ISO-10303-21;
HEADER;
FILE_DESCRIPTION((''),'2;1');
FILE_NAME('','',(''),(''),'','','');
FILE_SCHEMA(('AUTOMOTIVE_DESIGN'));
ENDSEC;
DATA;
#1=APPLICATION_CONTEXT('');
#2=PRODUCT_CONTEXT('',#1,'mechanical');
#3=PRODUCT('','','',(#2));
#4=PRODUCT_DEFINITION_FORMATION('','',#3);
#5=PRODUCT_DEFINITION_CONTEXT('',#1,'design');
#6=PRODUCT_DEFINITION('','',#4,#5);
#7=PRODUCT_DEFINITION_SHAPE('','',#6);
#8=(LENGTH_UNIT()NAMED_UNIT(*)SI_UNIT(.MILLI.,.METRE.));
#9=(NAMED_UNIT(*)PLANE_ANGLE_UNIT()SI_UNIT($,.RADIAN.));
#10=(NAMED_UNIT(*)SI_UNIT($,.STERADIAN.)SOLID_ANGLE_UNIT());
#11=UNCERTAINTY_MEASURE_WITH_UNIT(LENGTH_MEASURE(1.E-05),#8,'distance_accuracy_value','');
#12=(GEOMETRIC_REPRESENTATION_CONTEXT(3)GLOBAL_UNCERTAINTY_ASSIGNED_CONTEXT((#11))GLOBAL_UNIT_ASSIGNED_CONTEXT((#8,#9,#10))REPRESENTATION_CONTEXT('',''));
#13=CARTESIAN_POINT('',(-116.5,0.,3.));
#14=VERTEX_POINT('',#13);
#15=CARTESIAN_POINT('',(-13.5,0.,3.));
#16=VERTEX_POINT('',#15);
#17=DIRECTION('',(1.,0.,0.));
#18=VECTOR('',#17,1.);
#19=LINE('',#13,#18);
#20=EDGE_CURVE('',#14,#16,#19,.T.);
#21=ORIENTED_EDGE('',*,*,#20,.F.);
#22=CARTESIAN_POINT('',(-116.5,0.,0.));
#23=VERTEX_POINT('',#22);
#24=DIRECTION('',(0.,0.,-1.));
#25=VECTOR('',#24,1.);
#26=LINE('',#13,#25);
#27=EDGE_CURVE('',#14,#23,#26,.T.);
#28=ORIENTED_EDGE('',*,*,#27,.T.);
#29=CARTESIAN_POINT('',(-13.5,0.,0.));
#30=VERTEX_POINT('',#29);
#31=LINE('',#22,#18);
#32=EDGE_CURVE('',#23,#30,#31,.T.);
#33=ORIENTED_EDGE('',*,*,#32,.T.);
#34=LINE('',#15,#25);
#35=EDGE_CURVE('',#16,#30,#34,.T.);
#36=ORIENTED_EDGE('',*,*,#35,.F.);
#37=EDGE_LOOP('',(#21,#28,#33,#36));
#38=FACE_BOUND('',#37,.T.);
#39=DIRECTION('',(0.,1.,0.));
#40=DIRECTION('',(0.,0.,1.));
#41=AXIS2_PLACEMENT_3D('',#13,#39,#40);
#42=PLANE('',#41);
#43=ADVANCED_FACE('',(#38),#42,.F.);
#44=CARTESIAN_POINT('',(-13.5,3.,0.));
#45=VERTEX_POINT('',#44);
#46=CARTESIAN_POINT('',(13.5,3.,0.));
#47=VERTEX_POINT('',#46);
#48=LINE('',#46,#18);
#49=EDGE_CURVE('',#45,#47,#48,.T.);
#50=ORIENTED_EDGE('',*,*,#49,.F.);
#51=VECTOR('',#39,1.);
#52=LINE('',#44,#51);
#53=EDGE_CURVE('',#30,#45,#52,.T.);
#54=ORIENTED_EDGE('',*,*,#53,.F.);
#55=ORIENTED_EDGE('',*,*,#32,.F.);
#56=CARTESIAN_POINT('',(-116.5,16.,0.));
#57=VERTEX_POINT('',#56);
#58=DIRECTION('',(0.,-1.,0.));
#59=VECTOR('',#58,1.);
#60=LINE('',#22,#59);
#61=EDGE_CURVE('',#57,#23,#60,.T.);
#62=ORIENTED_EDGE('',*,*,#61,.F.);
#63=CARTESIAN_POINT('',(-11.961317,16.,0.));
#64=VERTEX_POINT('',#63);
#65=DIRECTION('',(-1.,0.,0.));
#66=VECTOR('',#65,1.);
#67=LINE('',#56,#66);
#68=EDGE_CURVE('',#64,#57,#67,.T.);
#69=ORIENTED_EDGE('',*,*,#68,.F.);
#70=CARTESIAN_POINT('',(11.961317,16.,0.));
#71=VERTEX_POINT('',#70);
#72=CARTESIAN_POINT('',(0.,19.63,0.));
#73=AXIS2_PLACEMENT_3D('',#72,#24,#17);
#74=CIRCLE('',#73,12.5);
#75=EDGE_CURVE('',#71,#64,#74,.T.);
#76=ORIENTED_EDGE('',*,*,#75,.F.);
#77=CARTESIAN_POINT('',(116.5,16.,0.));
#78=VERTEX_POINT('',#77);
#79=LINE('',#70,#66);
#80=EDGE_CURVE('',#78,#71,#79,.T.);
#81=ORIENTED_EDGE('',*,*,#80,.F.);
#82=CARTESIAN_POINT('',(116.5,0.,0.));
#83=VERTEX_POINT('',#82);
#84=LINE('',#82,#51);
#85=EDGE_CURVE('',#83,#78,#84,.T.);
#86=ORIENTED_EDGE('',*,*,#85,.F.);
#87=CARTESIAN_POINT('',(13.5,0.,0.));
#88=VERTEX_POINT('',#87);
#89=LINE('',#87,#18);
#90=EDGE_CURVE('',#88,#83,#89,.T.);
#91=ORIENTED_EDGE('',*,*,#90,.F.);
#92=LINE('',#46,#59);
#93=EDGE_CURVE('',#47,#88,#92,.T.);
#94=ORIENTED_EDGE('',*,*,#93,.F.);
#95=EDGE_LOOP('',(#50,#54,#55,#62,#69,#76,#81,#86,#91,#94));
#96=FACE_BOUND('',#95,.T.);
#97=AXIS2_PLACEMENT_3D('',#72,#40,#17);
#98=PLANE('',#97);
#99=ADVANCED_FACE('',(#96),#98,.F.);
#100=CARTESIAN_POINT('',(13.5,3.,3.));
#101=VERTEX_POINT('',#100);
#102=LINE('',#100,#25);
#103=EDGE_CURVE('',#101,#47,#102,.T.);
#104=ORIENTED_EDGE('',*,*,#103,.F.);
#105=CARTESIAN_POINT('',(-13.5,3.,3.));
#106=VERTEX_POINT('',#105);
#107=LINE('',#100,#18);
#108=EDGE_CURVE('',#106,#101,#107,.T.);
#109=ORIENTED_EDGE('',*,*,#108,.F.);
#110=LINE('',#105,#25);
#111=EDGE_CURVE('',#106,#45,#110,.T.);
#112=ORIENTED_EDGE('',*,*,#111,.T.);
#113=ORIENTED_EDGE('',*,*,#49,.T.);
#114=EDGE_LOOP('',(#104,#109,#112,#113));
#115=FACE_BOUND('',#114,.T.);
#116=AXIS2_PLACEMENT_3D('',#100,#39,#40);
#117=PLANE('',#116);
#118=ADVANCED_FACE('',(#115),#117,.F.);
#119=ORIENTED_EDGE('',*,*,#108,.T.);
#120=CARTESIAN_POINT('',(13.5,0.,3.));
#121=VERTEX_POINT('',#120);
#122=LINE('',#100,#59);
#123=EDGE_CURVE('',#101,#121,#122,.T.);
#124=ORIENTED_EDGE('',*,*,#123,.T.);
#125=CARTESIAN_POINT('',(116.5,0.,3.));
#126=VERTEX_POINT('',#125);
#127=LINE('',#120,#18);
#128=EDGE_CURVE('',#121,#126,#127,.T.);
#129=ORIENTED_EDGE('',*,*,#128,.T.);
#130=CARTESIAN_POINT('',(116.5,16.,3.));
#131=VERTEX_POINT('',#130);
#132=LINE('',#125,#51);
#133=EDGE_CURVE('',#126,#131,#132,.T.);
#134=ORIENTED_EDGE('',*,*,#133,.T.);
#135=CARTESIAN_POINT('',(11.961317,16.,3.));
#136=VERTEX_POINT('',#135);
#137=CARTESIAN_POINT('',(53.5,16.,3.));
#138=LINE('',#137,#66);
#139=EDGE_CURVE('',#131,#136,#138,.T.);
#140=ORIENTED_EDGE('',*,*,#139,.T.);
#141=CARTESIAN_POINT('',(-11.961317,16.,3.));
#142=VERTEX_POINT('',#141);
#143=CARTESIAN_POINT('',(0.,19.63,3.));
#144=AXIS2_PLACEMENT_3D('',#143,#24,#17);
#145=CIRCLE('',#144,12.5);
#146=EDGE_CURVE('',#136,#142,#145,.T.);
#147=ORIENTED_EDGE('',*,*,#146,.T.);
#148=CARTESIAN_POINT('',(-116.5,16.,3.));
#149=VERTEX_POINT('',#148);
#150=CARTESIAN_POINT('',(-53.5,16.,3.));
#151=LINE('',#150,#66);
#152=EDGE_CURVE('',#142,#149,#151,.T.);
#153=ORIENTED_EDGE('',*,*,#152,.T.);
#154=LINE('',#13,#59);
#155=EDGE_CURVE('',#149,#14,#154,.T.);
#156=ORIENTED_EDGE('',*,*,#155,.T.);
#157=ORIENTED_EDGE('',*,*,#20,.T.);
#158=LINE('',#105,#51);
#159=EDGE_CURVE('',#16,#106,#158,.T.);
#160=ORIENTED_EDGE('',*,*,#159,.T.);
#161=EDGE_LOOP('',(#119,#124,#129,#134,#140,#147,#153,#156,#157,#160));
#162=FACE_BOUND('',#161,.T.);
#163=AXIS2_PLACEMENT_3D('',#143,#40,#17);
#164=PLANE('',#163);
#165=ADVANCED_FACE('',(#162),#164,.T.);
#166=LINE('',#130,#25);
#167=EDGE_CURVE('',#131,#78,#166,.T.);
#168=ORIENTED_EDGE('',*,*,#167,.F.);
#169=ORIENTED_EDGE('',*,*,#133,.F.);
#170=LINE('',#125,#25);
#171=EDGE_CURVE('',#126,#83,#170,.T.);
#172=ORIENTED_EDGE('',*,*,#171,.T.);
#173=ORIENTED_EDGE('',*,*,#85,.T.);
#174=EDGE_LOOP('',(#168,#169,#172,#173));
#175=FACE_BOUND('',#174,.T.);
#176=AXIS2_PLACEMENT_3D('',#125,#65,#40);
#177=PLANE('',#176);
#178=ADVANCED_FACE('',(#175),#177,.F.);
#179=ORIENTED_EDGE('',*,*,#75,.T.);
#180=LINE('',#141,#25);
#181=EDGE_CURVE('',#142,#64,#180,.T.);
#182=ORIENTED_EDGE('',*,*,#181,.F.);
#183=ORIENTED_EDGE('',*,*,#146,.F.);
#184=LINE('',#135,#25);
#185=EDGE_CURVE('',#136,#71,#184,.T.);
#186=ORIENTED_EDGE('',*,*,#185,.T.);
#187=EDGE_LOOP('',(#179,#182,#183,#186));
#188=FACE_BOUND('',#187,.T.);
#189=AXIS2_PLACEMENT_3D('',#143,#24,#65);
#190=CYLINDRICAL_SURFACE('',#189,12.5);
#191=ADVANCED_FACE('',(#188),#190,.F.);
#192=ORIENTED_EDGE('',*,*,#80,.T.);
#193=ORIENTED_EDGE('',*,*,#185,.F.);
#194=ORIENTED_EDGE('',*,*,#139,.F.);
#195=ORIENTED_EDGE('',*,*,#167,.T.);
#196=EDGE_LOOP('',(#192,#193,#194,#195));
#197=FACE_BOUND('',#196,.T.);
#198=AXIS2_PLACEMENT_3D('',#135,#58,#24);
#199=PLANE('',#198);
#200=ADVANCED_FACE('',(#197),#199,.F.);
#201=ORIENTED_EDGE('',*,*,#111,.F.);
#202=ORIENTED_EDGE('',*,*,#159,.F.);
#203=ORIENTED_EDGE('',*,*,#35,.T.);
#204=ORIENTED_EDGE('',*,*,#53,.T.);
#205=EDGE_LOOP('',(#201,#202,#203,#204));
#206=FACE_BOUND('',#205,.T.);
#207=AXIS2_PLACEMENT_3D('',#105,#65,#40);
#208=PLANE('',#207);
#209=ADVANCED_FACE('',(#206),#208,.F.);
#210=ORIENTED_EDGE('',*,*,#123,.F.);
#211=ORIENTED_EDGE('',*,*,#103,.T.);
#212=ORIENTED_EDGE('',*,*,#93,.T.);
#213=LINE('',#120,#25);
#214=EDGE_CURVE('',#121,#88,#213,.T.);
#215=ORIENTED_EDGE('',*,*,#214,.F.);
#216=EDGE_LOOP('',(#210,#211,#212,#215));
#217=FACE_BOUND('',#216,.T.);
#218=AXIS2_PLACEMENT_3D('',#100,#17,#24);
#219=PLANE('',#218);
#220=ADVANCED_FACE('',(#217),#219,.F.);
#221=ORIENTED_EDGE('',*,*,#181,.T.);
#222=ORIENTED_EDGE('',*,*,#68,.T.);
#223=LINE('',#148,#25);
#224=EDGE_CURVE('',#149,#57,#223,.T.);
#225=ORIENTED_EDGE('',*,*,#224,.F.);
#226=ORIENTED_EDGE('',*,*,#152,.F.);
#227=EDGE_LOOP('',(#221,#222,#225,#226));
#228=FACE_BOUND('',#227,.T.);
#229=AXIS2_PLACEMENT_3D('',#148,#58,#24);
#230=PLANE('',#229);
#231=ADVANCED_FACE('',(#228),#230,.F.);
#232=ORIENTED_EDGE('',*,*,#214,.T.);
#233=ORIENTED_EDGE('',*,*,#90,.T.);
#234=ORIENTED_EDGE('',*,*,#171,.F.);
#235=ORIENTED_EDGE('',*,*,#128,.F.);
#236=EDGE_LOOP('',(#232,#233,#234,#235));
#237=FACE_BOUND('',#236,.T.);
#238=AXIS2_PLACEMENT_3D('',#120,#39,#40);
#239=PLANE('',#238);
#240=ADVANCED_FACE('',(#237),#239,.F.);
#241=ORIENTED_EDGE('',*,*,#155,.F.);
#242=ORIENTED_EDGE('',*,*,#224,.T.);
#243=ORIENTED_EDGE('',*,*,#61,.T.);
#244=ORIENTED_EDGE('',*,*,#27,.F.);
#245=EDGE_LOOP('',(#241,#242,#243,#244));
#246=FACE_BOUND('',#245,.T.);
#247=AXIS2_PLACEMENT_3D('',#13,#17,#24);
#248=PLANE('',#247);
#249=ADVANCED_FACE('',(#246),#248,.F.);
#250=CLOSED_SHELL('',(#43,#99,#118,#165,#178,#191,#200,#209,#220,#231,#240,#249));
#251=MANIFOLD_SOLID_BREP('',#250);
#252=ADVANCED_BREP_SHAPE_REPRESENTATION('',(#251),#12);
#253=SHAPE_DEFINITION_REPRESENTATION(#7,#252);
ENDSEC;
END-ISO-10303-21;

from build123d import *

# Parameters (mm, degrees)
P_IDAT_VYSUNUT_M1_DEPTH = 3


with BuildPart() as part:
    # Skica1 → Přidat vysunutím1 (new body)
    with BuildSketch(Plane.XY):
        with BuildLine():
            Line((-116.5, 0), (-13.5, 0))
            Line((-13.5, 0), (-13.5, 3))
            Line((-13.5, 3), (13.5, 3))
            Line((13.5, 3), (13.5, 0))
            Line((13.5, 0), (116.5, 0))
            Line((116.5, 0), (116.5, 16))
            Line((116.5, 16), (53.5, 16))
            Line((53.5, 16), (11.961316817, 16))
            ThreePointArc((11.961316817, 16), (0, 7.13), (-11.961316817, 16))
            Line((-11.961316817, 16), (-53.5, 16))
            Line((-53.5, 16), (-116.5, 16))
            Line((-116.5, 16), (-116.5, 0))
        make_face()
    extrude(amount=P_IDAT_VYSUNUT_M1_DEPTH)


solid = part.part
